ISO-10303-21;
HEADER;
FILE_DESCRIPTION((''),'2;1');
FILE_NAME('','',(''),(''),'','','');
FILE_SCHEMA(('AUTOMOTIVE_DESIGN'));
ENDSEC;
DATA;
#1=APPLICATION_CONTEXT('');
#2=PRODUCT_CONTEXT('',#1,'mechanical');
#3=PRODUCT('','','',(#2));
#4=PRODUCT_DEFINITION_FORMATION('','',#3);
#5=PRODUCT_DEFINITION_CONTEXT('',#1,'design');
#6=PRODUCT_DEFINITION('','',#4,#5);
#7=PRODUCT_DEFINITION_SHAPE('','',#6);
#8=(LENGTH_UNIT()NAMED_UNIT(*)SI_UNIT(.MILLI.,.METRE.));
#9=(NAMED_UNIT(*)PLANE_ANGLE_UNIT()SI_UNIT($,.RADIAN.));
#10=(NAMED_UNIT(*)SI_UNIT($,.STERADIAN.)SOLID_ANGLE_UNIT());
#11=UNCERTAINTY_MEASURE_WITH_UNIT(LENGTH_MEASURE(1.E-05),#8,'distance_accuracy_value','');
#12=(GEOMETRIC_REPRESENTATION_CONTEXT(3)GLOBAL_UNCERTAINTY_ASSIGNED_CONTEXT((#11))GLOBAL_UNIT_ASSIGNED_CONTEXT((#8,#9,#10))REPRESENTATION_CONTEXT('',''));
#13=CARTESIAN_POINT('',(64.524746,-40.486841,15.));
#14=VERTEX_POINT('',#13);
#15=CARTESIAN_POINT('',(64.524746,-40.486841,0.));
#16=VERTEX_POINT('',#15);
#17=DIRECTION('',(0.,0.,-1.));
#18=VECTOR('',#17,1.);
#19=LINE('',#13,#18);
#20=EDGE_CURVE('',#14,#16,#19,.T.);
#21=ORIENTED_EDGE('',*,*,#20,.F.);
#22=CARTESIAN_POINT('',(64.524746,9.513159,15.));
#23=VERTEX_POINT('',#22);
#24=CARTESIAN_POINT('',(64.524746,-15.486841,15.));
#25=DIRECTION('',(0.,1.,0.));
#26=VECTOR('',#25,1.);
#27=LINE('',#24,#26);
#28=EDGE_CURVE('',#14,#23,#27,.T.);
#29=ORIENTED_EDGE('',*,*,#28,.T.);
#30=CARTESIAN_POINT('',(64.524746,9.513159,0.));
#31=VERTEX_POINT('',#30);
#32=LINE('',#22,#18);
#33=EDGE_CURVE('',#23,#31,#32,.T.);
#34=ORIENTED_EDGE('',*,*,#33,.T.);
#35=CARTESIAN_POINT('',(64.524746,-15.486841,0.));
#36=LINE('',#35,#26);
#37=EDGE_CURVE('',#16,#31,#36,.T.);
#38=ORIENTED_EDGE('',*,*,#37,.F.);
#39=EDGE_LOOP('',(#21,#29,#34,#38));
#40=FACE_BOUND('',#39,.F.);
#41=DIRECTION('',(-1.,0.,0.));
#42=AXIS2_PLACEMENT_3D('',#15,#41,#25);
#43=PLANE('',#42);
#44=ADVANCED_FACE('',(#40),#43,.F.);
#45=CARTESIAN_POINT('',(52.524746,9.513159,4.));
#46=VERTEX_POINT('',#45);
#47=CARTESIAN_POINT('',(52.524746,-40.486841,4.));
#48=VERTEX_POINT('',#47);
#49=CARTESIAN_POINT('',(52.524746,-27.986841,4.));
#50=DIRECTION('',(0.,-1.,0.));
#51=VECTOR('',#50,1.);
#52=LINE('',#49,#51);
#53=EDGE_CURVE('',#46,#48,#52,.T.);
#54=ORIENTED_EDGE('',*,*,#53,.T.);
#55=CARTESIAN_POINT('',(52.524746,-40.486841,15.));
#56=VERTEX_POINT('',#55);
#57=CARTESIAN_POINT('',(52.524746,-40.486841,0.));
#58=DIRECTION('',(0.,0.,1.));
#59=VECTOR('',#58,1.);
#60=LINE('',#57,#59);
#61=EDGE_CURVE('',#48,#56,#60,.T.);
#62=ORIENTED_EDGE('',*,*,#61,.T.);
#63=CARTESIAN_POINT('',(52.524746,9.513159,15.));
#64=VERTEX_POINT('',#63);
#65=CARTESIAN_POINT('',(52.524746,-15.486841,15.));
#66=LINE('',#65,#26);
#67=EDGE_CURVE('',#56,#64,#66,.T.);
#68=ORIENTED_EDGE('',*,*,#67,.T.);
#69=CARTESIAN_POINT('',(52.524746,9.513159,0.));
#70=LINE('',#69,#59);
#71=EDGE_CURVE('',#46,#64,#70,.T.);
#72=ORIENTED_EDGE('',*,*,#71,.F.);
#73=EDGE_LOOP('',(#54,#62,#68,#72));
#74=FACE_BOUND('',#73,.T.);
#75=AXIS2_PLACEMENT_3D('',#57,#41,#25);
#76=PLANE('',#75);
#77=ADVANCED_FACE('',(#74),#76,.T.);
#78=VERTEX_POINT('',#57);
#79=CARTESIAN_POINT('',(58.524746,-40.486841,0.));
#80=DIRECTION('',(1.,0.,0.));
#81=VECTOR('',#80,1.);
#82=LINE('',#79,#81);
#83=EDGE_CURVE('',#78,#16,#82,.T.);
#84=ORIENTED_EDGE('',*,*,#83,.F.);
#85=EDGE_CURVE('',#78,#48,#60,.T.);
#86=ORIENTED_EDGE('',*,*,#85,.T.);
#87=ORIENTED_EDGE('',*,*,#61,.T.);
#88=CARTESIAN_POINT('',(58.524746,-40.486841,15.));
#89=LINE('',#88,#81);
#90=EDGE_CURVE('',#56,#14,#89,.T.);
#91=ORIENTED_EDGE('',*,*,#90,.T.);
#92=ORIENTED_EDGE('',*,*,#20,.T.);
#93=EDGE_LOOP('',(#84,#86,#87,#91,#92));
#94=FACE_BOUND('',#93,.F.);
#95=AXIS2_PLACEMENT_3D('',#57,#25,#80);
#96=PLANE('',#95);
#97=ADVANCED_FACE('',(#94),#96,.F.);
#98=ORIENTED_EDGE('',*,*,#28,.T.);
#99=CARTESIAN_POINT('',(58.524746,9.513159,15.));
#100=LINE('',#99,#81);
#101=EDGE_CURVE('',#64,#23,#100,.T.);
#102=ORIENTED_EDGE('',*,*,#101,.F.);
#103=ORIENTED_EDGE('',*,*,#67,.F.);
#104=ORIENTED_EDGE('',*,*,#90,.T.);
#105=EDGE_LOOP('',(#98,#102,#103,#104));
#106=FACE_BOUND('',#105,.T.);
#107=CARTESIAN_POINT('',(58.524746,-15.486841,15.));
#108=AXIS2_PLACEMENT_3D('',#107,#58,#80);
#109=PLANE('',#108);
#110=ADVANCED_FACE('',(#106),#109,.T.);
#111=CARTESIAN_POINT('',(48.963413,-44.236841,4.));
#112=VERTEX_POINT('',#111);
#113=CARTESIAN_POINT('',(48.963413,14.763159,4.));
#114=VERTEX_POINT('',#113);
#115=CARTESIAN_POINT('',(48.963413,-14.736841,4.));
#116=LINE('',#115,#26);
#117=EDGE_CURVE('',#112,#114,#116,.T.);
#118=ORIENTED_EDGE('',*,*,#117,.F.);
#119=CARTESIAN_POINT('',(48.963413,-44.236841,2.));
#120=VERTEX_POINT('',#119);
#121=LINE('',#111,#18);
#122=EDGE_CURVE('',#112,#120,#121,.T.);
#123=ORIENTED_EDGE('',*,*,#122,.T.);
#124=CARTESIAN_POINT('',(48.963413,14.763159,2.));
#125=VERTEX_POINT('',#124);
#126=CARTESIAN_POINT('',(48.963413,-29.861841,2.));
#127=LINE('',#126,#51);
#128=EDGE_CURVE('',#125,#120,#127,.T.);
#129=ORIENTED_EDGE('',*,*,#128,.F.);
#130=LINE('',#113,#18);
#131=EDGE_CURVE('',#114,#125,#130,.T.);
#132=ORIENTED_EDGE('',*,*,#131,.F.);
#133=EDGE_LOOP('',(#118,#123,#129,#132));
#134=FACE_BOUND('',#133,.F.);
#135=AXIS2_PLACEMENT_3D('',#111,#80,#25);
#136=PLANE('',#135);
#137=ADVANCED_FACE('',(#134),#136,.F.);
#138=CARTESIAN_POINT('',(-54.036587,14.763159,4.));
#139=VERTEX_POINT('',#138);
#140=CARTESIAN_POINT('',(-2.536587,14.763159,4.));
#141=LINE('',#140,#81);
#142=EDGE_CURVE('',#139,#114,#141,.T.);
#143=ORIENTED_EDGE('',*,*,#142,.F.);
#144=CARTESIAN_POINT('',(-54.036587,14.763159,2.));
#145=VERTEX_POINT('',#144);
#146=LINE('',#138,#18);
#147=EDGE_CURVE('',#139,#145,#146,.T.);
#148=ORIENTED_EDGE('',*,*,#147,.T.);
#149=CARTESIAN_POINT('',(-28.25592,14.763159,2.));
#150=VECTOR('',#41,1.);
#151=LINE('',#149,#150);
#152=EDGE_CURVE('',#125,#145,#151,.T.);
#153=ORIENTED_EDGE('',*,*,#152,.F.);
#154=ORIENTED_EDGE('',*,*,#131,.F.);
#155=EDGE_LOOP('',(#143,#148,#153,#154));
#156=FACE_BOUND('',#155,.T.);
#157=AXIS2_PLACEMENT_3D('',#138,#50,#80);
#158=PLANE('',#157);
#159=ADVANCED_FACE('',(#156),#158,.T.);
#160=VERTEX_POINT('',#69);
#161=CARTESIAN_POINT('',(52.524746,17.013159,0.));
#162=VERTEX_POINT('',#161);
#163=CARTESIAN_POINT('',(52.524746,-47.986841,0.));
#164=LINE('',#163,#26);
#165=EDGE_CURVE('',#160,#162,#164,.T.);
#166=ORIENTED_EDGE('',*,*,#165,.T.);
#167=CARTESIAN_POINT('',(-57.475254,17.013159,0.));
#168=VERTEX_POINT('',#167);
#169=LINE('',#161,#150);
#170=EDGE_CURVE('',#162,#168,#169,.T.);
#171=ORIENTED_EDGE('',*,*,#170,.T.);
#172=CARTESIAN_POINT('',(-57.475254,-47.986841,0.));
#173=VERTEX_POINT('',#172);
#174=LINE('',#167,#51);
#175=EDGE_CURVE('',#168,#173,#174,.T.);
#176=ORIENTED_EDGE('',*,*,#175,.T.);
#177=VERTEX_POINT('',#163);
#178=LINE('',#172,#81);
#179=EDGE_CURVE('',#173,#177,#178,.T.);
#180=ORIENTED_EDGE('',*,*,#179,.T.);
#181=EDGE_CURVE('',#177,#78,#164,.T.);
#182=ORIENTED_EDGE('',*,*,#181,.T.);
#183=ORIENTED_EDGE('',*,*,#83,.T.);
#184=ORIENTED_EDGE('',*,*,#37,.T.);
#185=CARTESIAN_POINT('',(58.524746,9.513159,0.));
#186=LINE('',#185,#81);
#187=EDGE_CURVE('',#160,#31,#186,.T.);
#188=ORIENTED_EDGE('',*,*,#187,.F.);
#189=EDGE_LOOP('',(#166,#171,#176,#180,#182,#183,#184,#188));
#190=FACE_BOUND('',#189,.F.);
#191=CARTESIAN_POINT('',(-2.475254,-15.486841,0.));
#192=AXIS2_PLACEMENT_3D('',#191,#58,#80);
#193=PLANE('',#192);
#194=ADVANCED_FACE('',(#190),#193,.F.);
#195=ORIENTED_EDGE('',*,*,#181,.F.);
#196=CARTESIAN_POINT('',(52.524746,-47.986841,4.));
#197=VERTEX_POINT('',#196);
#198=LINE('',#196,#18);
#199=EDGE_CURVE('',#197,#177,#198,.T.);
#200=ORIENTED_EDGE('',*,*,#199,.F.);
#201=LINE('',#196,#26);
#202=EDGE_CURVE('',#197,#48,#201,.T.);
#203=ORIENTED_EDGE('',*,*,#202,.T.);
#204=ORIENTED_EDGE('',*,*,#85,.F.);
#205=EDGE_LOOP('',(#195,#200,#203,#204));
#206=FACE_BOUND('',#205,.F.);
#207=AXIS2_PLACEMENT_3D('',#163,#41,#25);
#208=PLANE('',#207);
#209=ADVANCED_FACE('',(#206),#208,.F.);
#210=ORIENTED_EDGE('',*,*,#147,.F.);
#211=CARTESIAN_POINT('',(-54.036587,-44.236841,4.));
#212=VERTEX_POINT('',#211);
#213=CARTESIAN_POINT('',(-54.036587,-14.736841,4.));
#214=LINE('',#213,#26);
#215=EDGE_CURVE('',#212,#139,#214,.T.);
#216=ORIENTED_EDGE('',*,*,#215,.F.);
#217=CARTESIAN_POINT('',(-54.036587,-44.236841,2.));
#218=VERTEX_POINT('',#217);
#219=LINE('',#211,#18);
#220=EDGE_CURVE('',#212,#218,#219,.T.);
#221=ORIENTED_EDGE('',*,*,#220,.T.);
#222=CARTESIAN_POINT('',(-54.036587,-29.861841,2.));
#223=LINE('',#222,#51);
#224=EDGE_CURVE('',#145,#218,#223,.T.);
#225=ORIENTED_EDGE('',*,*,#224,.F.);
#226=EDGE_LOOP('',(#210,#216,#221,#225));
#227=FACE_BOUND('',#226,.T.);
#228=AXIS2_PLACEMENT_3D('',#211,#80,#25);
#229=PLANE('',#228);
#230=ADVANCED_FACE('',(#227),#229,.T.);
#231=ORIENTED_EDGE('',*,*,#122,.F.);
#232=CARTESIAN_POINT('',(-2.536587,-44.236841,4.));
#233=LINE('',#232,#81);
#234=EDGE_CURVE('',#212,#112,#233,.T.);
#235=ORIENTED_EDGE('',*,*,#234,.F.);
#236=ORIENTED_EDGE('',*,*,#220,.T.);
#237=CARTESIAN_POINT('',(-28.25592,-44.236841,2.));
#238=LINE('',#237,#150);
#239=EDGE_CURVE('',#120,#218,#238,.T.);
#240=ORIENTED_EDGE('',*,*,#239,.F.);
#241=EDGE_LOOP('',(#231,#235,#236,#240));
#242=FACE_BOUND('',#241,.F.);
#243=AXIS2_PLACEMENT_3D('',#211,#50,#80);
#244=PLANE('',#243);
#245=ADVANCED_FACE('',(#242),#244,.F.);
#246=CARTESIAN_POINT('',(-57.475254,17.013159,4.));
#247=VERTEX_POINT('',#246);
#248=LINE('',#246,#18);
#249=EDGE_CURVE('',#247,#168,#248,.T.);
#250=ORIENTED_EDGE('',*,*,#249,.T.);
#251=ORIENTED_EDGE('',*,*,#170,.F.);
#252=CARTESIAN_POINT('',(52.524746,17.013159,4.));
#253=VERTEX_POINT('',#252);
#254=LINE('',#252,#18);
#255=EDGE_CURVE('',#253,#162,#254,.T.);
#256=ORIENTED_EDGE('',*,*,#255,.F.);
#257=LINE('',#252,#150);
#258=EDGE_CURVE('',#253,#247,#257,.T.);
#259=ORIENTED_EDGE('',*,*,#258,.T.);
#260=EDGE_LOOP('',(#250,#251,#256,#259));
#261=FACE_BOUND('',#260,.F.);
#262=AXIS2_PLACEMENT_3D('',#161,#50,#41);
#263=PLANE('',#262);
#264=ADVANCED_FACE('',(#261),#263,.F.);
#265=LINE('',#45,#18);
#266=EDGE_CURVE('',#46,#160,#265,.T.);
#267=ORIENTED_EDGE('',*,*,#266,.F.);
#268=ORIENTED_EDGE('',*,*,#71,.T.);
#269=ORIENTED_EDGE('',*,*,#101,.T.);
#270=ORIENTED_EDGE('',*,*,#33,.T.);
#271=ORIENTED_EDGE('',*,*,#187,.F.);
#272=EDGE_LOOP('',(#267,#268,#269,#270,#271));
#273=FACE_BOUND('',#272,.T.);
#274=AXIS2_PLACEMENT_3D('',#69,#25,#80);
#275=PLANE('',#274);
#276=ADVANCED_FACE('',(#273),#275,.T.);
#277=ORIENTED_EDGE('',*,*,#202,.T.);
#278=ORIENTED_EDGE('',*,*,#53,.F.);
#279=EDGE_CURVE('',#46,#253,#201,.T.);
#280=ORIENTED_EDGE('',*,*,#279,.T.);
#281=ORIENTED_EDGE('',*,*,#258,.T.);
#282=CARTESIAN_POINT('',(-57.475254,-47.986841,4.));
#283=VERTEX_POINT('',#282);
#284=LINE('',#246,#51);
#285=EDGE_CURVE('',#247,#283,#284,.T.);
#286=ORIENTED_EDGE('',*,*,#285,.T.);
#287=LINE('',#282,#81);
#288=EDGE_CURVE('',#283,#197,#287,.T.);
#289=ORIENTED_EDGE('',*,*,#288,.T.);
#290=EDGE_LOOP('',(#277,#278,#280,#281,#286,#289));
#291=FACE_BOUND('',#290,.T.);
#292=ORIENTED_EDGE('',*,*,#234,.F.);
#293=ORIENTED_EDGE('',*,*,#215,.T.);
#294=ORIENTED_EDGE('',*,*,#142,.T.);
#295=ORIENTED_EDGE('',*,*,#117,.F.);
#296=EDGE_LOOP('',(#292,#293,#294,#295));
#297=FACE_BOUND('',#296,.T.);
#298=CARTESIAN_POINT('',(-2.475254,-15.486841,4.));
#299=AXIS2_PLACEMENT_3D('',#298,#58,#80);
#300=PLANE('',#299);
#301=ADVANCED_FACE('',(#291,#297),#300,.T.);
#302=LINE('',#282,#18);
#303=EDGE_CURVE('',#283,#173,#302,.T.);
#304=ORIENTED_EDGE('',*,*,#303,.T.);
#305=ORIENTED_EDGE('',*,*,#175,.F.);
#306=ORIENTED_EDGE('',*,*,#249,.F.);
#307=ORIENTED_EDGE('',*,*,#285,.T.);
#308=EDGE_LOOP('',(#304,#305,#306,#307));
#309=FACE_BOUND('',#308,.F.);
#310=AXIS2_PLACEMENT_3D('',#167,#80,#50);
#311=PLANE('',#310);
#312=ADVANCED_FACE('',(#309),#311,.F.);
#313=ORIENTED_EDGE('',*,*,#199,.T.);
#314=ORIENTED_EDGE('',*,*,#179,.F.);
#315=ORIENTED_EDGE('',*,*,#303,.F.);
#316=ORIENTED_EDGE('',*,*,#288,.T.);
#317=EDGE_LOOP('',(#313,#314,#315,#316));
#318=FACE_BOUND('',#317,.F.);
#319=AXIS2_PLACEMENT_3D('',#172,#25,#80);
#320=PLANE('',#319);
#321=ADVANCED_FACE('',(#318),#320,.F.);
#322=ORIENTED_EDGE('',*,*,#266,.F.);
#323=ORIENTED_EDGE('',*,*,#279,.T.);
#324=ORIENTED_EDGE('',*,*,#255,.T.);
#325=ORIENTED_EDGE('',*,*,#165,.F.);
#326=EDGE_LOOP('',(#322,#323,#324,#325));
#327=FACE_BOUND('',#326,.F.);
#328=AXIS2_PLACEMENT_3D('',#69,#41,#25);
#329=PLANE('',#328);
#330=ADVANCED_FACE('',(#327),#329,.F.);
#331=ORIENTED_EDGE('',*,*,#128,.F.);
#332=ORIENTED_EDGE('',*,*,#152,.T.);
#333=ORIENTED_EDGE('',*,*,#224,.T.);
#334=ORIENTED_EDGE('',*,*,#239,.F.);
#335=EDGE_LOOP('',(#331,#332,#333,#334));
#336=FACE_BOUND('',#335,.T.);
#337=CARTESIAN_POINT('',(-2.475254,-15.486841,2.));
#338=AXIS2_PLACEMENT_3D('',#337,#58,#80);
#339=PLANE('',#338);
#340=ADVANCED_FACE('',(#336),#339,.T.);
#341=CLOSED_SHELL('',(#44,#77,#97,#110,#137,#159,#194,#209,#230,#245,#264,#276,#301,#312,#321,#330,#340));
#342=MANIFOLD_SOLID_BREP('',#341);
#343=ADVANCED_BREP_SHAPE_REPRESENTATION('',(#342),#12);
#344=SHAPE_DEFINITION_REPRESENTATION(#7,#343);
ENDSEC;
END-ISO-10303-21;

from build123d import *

# Parameters (mm, degrees)
F0_W     = 12
F0_H     = 50
F1_DEPTH = 4
F2_W     = 103
F2_H     = 59
F3_DEPTH = 8
F4_DEPTH = 15
F5_DEPTH = 2


with BuildPart() as f1:
    # F0 (on Top) → F1 (new body)
    with BuildSketch(Plane.XY):
        Polygon((-39.061178, 17.013159), (-57.475254, 17.013159), (-57.475254, -47.986841), (52.524746, -47.986841), (52.524746, -40.486841), (52.524746, 9.513159), (52.524746, 17.013159), (10.938822, 17.013159), align=None)
        with Locations((58.524746, -15.486841)):
            Rectangle(F0_W, F0_H)
    extrude(amount=F1_DEPTH)

    # F2 (on face) → F3 (cut)
    with BuildSketch(Plane.XY.offset(4)):
        with Locations((-2.536587, -14.736841)):
            Rectangle(F2_W, F2_H)
    extrude(amount=-F3_DEPTH, mode=Mode.SUBTRACT)

    # F0 (on Top) → F4 (join)
    with BuildSketch(Plane.XY):
        with Locations((58.524746, -15.486841)):
            Rectangle(F0_W, F0_H)
    extrude(amount=F4_DEPTH)

    # F0 (on Top) → F5 (join)
    with BuildSketch(Plane.XY):
        Polygon((-39.061178, 17.013159), (-57.475254, 17.013159), (-57.475254, -47.986841), (52.524746, -47.986841), (52.524746, -40.486841), (52.524746, 9.513159), (52.524746, 17.013159), (10.938822, 17.013159), align=None)
    extrude(amount=F5_DEPTH)


solid = f1.part
